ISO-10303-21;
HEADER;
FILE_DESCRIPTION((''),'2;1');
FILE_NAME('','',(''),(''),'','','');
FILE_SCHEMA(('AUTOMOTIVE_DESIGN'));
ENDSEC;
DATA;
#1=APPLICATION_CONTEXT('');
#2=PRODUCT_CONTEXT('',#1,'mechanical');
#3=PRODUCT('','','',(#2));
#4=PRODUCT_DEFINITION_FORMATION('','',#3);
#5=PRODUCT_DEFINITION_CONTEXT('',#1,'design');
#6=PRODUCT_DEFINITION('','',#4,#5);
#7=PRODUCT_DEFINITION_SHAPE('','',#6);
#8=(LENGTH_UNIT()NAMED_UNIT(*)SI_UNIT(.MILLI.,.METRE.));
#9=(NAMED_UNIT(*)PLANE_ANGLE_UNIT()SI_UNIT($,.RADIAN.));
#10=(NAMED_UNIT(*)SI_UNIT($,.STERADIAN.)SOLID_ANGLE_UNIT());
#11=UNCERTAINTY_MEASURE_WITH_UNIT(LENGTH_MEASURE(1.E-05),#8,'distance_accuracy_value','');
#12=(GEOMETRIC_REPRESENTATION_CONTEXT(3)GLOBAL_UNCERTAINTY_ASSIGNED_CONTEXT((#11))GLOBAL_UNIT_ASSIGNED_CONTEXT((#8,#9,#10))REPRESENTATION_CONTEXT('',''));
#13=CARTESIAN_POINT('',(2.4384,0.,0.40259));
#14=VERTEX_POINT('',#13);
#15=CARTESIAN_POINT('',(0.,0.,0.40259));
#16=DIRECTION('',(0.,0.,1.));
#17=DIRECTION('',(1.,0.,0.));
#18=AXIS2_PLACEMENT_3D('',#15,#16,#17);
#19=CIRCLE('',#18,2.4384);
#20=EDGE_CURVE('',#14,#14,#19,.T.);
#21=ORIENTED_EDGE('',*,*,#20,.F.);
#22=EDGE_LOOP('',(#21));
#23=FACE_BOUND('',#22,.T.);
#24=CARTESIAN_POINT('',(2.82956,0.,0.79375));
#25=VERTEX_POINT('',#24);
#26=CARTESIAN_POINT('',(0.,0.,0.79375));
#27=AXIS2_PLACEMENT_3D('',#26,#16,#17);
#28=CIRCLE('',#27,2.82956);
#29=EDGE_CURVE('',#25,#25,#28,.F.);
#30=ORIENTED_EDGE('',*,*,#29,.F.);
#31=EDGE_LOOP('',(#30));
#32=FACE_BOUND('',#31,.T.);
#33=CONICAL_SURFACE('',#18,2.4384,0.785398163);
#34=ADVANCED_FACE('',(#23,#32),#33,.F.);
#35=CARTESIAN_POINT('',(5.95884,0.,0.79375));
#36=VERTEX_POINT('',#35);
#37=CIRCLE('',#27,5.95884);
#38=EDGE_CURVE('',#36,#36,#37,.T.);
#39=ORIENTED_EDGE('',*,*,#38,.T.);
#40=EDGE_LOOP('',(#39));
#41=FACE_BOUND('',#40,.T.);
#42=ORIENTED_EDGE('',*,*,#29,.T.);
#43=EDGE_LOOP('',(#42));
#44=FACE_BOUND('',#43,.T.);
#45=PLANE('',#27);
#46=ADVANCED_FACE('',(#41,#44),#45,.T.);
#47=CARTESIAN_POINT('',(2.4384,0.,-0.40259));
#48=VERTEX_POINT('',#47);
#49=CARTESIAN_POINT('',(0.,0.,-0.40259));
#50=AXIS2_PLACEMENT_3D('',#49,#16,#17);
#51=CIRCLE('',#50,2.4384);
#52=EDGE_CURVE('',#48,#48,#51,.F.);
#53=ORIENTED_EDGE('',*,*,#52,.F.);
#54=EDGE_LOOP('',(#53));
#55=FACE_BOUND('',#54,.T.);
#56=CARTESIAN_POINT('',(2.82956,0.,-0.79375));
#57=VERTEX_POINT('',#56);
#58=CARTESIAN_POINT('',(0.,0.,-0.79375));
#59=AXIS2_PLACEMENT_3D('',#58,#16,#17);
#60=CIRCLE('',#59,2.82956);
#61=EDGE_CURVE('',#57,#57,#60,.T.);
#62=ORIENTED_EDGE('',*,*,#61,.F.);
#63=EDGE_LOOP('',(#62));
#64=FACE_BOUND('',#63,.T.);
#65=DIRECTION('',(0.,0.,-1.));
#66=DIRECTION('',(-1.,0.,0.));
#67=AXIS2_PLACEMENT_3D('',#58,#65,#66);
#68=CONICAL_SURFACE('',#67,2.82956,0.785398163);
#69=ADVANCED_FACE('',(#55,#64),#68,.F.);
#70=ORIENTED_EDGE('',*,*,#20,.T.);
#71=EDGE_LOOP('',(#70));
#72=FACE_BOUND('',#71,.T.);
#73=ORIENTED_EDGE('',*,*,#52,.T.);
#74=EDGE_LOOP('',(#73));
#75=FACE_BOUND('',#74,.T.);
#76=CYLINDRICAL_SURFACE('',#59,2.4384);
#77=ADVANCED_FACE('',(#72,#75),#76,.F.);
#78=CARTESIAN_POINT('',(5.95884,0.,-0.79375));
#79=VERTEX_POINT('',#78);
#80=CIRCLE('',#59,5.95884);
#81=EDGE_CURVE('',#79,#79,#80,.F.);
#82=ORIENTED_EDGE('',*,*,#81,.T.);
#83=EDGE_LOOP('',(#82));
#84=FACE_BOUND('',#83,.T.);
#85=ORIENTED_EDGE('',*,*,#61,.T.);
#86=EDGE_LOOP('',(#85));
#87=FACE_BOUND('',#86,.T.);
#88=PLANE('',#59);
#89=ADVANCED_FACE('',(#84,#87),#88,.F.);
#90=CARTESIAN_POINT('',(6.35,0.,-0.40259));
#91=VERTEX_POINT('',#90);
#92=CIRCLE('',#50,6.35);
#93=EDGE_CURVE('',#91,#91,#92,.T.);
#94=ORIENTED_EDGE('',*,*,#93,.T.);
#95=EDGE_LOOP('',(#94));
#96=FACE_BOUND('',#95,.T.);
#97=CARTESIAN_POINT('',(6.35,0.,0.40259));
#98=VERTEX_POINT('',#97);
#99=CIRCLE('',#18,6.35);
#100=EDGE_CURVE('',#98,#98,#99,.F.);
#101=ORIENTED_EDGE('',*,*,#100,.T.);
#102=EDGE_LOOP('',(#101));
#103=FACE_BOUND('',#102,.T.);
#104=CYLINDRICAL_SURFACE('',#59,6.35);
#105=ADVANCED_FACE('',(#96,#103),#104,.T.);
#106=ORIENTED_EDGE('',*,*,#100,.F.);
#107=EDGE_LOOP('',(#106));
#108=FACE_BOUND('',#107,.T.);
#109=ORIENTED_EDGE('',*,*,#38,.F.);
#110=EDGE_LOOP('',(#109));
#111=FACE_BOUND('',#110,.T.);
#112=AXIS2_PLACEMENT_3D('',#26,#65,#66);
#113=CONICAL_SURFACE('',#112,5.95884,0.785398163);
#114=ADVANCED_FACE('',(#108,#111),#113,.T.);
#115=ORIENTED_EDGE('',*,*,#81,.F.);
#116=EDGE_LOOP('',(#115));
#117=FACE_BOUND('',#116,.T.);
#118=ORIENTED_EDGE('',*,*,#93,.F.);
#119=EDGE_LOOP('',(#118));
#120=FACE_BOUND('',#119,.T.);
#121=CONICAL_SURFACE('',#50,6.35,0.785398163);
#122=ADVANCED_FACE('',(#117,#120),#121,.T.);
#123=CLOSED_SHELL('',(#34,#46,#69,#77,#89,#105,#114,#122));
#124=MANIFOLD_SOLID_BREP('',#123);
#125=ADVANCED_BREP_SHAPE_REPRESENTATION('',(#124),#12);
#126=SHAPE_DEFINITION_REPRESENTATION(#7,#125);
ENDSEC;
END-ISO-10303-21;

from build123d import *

# Parameters (mm, degrees)
BOSS_EXTRUDE1_DEPTH      = 0.79375
BOSS_EXTRUDE1_DEPTH_BACK = 0.79375
SKETCH3_R                = 6.35
SKETCH3_R_2              = 2.4384
CHAMFER1_SIZE            = 0.39116


with BuildPart() as part:
    # Sketch3 → Boss-Extrude1 (new, two sides: drawn at the far end of the back side and taken through both)
    with BuildSketch(Plane.XY.offset(-BOSS_EXTRUDE1_DEPTH_BACK)):
        Circle(SKETCH3_R)
        Circle(SKETCH3_R_2, mode=Mode.SUBTRACT)
    extrude(amount=BOSS_EXTRUDE1_DEPTH + BOSS_EXTRUDE1_DEPTH_BACK)

    # Chamfer1
    chamfer1_edges = [part.edges().sort_by_distance(p)[0] for p in [
        (-6.35, 0, -0.79375),
        (-2.4384, 0, -0.79375),
        (-6.35, 0, 0.79375),
        (-2.4384, 0, 0.79375),
    ]]
    chamfer(chamfer1_edges, length=CHAMFER1_SIZE)


solid = part.part
